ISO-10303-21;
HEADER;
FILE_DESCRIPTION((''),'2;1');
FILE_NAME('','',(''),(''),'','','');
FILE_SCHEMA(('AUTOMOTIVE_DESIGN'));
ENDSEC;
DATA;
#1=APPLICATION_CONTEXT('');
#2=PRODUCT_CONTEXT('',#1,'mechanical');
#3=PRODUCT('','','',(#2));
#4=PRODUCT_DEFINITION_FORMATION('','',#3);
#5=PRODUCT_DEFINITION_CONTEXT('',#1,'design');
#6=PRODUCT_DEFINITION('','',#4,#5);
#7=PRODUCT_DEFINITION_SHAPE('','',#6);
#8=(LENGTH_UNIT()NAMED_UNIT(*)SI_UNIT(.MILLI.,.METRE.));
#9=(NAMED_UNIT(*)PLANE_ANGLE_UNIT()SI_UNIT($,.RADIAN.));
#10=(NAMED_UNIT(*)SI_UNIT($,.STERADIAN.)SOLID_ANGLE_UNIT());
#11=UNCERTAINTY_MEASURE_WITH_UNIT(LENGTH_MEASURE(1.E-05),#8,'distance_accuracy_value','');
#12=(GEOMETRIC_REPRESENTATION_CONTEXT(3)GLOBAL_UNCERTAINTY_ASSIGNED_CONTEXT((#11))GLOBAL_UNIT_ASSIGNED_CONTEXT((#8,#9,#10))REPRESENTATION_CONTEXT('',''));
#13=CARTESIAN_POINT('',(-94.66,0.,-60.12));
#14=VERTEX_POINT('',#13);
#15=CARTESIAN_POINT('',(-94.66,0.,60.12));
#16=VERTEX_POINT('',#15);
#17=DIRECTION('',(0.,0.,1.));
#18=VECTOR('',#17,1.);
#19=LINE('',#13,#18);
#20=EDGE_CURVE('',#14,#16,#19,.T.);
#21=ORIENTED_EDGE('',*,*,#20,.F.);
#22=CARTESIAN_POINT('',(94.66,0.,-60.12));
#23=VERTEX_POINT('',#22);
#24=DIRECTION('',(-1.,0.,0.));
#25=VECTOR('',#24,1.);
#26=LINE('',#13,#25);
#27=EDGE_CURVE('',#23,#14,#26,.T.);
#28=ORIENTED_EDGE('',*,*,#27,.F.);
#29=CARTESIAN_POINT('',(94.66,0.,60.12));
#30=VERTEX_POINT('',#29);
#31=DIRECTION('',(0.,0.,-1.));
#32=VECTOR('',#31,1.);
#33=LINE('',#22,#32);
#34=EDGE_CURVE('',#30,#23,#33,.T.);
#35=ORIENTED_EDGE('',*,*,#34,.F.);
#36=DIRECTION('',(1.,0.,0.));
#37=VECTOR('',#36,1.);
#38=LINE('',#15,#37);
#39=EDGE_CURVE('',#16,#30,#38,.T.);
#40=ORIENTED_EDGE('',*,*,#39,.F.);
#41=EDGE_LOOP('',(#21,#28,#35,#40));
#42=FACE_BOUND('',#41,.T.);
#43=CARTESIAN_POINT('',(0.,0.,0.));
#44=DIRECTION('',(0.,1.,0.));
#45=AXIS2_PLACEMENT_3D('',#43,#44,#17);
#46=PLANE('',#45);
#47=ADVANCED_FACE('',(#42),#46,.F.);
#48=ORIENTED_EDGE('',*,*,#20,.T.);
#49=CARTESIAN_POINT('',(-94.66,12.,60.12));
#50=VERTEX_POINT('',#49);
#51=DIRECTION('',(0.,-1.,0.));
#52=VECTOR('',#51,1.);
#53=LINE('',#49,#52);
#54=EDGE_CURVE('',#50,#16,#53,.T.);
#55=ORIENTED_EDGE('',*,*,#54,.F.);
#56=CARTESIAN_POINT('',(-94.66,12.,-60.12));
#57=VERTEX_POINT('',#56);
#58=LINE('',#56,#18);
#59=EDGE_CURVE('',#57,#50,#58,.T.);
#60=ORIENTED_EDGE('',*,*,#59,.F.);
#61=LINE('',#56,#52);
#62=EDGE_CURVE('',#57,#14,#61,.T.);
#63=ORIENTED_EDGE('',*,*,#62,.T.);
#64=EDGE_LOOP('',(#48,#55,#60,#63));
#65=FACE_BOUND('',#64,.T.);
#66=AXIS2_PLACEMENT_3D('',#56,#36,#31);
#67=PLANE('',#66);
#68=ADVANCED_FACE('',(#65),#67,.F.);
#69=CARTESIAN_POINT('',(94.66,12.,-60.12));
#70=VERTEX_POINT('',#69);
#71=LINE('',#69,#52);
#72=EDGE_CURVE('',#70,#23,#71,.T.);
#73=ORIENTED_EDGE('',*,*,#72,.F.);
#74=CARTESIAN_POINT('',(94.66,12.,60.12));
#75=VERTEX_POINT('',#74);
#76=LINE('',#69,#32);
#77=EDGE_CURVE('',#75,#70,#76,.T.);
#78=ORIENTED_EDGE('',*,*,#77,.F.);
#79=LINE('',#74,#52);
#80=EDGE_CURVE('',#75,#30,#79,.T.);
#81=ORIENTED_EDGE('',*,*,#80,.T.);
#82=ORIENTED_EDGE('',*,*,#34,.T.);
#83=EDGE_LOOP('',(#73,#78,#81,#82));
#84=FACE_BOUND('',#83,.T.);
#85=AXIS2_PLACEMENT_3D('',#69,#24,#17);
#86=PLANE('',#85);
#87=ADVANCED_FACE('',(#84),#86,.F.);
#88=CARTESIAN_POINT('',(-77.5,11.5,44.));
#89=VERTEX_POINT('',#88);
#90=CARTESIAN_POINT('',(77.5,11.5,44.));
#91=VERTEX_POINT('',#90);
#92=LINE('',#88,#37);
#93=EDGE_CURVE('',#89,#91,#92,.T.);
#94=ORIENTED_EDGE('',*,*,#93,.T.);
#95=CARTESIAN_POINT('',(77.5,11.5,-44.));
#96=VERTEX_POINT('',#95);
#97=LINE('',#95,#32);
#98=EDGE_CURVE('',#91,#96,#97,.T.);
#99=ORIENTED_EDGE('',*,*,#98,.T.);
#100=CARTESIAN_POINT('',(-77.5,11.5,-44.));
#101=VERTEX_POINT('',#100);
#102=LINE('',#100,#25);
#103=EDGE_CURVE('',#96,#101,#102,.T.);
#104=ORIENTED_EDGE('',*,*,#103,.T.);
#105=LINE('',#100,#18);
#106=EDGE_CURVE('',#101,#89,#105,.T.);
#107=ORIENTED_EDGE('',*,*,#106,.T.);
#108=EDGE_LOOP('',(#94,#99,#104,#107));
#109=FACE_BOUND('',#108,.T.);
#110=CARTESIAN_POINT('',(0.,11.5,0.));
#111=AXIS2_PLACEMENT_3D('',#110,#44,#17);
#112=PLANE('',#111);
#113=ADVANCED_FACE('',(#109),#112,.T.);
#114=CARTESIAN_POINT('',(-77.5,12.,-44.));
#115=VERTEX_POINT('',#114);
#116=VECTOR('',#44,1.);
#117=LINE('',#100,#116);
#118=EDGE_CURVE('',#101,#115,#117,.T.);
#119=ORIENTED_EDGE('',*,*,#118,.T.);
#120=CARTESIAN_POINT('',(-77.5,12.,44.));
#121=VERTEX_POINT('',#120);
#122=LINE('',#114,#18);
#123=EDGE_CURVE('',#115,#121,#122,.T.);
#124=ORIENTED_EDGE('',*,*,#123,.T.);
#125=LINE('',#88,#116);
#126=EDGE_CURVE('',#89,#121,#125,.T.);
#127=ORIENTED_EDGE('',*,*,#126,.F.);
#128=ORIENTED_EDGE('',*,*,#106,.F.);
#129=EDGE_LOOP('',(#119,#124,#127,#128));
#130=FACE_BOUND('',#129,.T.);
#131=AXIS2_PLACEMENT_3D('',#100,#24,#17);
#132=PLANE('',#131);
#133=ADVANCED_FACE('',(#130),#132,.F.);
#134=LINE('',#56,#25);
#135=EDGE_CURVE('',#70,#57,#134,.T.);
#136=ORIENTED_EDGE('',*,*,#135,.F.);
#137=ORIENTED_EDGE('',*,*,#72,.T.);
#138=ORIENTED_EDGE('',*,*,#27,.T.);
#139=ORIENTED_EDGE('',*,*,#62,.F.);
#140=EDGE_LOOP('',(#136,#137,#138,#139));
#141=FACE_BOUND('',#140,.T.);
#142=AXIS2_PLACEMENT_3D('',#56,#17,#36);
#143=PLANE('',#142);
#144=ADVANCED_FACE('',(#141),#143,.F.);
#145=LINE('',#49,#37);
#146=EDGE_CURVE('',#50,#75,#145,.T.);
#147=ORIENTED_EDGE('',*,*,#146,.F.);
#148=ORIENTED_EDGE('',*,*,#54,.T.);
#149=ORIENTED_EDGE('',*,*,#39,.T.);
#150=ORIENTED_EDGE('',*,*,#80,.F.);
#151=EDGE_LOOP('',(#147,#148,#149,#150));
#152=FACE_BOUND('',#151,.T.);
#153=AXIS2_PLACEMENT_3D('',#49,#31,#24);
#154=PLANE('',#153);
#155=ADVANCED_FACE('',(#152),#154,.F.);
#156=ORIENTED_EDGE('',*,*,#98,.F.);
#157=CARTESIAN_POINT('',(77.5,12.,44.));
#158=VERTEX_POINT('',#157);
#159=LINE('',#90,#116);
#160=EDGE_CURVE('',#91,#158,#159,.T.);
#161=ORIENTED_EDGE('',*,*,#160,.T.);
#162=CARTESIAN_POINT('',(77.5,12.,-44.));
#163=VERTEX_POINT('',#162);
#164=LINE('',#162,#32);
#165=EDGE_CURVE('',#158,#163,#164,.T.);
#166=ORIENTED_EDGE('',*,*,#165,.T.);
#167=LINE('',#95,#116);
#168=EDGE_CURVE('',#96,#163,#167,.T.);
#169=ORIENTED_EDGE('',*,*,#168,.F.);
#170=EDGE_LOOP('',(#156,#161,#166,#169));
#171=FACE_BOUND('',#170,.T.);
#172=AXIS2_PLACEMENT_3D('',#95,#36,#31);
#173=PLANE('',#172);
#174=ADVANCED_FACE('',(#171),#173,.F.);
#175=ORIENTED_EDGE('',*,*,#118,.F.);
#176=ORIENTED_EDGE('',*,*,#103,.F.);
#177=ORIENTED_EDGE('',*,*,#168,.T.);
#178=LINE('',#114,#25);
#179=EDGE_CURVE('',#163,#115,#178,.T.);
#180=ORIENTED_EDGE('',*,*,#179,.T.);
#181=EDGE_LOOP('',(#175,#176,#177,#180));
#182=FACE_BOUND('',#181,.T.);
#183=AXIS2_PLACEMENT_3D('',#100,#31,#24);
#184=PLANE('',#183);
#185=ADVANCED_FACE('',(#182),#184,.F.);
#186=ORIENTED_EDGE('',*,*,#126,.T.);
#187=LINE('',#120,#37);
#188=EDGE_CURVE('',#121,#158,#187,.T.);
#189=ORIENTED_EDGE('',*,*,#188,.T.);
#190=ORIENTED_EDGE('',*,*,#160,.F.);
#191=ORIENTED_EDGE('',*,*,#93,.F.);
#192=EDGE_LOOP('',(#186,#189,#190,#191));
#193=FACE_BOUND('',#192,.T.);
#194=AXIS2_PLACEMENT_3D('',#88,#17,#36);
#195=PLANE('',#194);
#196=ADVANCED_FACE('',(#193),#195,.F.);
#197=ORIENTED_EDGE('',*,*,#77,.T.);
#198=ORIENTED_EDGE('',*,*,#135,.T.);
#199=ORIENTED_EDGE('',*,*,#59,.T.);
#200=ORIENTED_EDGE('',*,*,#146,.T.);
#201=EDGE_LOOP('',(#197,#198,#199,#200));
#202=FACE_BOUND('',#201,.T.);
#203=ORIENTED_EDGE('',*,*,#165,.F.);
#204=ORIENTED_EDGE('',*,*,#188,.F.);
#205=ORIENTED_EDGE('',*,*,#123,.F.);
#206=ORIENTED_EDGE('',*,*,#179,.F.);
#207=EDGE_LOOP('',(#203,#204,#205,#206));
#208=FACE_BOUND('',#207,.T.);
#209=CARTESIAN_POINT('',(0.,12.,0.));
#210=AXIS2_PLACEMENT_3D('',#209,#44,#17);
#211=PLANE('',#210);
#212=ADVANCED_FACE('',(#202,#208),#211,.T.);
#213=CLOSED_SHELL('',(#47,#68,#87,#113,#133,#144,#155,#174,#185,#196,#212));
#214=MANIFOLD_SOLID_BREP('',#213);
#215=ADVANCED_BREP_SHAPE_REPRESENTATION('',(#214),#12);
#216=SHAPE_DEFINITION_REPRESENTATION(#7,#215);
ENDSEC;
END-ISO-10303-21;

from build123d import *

# Parameters (mm, degrees)
SK_BODY_W            = 189.32
SK_BODY_H            = 120.24
EX_BODY_DEPTH        = 12
SK_ACTIVEAREA_W      = 155
SK_ACTIVEAREA_H      = 88
CUT_ACTIVEAREA_DEPTH = 0.5


with BuildPart() as part:
    # SK_Body → EX_Body (new body)
    with BuildSketch(Plane(origin=(0, 0, 0), x_dir=(1, 0, 0), z_dir=(0, 1, 0))):
        Rectangle(SK_BODY_W, SK_BODY_H)
    extrude(amount=EX_BODY_DEPTH)

    # SK_ActiveArea → CUT_ActiveArea (cut)
    with BuildSketch(Plane(origin=(0, 12, 0), x_dir=(1, 0, 0), z_dir=(0, 1, 0))):
        Rectangle(SK_ACTIVEAREA_W, SK_ACTIVEAREA_H)
    extrude(amount=-CUT_ACTIVEAREA_DEPTH, mode=Mode.SUBTRACT)


solid = part.part
